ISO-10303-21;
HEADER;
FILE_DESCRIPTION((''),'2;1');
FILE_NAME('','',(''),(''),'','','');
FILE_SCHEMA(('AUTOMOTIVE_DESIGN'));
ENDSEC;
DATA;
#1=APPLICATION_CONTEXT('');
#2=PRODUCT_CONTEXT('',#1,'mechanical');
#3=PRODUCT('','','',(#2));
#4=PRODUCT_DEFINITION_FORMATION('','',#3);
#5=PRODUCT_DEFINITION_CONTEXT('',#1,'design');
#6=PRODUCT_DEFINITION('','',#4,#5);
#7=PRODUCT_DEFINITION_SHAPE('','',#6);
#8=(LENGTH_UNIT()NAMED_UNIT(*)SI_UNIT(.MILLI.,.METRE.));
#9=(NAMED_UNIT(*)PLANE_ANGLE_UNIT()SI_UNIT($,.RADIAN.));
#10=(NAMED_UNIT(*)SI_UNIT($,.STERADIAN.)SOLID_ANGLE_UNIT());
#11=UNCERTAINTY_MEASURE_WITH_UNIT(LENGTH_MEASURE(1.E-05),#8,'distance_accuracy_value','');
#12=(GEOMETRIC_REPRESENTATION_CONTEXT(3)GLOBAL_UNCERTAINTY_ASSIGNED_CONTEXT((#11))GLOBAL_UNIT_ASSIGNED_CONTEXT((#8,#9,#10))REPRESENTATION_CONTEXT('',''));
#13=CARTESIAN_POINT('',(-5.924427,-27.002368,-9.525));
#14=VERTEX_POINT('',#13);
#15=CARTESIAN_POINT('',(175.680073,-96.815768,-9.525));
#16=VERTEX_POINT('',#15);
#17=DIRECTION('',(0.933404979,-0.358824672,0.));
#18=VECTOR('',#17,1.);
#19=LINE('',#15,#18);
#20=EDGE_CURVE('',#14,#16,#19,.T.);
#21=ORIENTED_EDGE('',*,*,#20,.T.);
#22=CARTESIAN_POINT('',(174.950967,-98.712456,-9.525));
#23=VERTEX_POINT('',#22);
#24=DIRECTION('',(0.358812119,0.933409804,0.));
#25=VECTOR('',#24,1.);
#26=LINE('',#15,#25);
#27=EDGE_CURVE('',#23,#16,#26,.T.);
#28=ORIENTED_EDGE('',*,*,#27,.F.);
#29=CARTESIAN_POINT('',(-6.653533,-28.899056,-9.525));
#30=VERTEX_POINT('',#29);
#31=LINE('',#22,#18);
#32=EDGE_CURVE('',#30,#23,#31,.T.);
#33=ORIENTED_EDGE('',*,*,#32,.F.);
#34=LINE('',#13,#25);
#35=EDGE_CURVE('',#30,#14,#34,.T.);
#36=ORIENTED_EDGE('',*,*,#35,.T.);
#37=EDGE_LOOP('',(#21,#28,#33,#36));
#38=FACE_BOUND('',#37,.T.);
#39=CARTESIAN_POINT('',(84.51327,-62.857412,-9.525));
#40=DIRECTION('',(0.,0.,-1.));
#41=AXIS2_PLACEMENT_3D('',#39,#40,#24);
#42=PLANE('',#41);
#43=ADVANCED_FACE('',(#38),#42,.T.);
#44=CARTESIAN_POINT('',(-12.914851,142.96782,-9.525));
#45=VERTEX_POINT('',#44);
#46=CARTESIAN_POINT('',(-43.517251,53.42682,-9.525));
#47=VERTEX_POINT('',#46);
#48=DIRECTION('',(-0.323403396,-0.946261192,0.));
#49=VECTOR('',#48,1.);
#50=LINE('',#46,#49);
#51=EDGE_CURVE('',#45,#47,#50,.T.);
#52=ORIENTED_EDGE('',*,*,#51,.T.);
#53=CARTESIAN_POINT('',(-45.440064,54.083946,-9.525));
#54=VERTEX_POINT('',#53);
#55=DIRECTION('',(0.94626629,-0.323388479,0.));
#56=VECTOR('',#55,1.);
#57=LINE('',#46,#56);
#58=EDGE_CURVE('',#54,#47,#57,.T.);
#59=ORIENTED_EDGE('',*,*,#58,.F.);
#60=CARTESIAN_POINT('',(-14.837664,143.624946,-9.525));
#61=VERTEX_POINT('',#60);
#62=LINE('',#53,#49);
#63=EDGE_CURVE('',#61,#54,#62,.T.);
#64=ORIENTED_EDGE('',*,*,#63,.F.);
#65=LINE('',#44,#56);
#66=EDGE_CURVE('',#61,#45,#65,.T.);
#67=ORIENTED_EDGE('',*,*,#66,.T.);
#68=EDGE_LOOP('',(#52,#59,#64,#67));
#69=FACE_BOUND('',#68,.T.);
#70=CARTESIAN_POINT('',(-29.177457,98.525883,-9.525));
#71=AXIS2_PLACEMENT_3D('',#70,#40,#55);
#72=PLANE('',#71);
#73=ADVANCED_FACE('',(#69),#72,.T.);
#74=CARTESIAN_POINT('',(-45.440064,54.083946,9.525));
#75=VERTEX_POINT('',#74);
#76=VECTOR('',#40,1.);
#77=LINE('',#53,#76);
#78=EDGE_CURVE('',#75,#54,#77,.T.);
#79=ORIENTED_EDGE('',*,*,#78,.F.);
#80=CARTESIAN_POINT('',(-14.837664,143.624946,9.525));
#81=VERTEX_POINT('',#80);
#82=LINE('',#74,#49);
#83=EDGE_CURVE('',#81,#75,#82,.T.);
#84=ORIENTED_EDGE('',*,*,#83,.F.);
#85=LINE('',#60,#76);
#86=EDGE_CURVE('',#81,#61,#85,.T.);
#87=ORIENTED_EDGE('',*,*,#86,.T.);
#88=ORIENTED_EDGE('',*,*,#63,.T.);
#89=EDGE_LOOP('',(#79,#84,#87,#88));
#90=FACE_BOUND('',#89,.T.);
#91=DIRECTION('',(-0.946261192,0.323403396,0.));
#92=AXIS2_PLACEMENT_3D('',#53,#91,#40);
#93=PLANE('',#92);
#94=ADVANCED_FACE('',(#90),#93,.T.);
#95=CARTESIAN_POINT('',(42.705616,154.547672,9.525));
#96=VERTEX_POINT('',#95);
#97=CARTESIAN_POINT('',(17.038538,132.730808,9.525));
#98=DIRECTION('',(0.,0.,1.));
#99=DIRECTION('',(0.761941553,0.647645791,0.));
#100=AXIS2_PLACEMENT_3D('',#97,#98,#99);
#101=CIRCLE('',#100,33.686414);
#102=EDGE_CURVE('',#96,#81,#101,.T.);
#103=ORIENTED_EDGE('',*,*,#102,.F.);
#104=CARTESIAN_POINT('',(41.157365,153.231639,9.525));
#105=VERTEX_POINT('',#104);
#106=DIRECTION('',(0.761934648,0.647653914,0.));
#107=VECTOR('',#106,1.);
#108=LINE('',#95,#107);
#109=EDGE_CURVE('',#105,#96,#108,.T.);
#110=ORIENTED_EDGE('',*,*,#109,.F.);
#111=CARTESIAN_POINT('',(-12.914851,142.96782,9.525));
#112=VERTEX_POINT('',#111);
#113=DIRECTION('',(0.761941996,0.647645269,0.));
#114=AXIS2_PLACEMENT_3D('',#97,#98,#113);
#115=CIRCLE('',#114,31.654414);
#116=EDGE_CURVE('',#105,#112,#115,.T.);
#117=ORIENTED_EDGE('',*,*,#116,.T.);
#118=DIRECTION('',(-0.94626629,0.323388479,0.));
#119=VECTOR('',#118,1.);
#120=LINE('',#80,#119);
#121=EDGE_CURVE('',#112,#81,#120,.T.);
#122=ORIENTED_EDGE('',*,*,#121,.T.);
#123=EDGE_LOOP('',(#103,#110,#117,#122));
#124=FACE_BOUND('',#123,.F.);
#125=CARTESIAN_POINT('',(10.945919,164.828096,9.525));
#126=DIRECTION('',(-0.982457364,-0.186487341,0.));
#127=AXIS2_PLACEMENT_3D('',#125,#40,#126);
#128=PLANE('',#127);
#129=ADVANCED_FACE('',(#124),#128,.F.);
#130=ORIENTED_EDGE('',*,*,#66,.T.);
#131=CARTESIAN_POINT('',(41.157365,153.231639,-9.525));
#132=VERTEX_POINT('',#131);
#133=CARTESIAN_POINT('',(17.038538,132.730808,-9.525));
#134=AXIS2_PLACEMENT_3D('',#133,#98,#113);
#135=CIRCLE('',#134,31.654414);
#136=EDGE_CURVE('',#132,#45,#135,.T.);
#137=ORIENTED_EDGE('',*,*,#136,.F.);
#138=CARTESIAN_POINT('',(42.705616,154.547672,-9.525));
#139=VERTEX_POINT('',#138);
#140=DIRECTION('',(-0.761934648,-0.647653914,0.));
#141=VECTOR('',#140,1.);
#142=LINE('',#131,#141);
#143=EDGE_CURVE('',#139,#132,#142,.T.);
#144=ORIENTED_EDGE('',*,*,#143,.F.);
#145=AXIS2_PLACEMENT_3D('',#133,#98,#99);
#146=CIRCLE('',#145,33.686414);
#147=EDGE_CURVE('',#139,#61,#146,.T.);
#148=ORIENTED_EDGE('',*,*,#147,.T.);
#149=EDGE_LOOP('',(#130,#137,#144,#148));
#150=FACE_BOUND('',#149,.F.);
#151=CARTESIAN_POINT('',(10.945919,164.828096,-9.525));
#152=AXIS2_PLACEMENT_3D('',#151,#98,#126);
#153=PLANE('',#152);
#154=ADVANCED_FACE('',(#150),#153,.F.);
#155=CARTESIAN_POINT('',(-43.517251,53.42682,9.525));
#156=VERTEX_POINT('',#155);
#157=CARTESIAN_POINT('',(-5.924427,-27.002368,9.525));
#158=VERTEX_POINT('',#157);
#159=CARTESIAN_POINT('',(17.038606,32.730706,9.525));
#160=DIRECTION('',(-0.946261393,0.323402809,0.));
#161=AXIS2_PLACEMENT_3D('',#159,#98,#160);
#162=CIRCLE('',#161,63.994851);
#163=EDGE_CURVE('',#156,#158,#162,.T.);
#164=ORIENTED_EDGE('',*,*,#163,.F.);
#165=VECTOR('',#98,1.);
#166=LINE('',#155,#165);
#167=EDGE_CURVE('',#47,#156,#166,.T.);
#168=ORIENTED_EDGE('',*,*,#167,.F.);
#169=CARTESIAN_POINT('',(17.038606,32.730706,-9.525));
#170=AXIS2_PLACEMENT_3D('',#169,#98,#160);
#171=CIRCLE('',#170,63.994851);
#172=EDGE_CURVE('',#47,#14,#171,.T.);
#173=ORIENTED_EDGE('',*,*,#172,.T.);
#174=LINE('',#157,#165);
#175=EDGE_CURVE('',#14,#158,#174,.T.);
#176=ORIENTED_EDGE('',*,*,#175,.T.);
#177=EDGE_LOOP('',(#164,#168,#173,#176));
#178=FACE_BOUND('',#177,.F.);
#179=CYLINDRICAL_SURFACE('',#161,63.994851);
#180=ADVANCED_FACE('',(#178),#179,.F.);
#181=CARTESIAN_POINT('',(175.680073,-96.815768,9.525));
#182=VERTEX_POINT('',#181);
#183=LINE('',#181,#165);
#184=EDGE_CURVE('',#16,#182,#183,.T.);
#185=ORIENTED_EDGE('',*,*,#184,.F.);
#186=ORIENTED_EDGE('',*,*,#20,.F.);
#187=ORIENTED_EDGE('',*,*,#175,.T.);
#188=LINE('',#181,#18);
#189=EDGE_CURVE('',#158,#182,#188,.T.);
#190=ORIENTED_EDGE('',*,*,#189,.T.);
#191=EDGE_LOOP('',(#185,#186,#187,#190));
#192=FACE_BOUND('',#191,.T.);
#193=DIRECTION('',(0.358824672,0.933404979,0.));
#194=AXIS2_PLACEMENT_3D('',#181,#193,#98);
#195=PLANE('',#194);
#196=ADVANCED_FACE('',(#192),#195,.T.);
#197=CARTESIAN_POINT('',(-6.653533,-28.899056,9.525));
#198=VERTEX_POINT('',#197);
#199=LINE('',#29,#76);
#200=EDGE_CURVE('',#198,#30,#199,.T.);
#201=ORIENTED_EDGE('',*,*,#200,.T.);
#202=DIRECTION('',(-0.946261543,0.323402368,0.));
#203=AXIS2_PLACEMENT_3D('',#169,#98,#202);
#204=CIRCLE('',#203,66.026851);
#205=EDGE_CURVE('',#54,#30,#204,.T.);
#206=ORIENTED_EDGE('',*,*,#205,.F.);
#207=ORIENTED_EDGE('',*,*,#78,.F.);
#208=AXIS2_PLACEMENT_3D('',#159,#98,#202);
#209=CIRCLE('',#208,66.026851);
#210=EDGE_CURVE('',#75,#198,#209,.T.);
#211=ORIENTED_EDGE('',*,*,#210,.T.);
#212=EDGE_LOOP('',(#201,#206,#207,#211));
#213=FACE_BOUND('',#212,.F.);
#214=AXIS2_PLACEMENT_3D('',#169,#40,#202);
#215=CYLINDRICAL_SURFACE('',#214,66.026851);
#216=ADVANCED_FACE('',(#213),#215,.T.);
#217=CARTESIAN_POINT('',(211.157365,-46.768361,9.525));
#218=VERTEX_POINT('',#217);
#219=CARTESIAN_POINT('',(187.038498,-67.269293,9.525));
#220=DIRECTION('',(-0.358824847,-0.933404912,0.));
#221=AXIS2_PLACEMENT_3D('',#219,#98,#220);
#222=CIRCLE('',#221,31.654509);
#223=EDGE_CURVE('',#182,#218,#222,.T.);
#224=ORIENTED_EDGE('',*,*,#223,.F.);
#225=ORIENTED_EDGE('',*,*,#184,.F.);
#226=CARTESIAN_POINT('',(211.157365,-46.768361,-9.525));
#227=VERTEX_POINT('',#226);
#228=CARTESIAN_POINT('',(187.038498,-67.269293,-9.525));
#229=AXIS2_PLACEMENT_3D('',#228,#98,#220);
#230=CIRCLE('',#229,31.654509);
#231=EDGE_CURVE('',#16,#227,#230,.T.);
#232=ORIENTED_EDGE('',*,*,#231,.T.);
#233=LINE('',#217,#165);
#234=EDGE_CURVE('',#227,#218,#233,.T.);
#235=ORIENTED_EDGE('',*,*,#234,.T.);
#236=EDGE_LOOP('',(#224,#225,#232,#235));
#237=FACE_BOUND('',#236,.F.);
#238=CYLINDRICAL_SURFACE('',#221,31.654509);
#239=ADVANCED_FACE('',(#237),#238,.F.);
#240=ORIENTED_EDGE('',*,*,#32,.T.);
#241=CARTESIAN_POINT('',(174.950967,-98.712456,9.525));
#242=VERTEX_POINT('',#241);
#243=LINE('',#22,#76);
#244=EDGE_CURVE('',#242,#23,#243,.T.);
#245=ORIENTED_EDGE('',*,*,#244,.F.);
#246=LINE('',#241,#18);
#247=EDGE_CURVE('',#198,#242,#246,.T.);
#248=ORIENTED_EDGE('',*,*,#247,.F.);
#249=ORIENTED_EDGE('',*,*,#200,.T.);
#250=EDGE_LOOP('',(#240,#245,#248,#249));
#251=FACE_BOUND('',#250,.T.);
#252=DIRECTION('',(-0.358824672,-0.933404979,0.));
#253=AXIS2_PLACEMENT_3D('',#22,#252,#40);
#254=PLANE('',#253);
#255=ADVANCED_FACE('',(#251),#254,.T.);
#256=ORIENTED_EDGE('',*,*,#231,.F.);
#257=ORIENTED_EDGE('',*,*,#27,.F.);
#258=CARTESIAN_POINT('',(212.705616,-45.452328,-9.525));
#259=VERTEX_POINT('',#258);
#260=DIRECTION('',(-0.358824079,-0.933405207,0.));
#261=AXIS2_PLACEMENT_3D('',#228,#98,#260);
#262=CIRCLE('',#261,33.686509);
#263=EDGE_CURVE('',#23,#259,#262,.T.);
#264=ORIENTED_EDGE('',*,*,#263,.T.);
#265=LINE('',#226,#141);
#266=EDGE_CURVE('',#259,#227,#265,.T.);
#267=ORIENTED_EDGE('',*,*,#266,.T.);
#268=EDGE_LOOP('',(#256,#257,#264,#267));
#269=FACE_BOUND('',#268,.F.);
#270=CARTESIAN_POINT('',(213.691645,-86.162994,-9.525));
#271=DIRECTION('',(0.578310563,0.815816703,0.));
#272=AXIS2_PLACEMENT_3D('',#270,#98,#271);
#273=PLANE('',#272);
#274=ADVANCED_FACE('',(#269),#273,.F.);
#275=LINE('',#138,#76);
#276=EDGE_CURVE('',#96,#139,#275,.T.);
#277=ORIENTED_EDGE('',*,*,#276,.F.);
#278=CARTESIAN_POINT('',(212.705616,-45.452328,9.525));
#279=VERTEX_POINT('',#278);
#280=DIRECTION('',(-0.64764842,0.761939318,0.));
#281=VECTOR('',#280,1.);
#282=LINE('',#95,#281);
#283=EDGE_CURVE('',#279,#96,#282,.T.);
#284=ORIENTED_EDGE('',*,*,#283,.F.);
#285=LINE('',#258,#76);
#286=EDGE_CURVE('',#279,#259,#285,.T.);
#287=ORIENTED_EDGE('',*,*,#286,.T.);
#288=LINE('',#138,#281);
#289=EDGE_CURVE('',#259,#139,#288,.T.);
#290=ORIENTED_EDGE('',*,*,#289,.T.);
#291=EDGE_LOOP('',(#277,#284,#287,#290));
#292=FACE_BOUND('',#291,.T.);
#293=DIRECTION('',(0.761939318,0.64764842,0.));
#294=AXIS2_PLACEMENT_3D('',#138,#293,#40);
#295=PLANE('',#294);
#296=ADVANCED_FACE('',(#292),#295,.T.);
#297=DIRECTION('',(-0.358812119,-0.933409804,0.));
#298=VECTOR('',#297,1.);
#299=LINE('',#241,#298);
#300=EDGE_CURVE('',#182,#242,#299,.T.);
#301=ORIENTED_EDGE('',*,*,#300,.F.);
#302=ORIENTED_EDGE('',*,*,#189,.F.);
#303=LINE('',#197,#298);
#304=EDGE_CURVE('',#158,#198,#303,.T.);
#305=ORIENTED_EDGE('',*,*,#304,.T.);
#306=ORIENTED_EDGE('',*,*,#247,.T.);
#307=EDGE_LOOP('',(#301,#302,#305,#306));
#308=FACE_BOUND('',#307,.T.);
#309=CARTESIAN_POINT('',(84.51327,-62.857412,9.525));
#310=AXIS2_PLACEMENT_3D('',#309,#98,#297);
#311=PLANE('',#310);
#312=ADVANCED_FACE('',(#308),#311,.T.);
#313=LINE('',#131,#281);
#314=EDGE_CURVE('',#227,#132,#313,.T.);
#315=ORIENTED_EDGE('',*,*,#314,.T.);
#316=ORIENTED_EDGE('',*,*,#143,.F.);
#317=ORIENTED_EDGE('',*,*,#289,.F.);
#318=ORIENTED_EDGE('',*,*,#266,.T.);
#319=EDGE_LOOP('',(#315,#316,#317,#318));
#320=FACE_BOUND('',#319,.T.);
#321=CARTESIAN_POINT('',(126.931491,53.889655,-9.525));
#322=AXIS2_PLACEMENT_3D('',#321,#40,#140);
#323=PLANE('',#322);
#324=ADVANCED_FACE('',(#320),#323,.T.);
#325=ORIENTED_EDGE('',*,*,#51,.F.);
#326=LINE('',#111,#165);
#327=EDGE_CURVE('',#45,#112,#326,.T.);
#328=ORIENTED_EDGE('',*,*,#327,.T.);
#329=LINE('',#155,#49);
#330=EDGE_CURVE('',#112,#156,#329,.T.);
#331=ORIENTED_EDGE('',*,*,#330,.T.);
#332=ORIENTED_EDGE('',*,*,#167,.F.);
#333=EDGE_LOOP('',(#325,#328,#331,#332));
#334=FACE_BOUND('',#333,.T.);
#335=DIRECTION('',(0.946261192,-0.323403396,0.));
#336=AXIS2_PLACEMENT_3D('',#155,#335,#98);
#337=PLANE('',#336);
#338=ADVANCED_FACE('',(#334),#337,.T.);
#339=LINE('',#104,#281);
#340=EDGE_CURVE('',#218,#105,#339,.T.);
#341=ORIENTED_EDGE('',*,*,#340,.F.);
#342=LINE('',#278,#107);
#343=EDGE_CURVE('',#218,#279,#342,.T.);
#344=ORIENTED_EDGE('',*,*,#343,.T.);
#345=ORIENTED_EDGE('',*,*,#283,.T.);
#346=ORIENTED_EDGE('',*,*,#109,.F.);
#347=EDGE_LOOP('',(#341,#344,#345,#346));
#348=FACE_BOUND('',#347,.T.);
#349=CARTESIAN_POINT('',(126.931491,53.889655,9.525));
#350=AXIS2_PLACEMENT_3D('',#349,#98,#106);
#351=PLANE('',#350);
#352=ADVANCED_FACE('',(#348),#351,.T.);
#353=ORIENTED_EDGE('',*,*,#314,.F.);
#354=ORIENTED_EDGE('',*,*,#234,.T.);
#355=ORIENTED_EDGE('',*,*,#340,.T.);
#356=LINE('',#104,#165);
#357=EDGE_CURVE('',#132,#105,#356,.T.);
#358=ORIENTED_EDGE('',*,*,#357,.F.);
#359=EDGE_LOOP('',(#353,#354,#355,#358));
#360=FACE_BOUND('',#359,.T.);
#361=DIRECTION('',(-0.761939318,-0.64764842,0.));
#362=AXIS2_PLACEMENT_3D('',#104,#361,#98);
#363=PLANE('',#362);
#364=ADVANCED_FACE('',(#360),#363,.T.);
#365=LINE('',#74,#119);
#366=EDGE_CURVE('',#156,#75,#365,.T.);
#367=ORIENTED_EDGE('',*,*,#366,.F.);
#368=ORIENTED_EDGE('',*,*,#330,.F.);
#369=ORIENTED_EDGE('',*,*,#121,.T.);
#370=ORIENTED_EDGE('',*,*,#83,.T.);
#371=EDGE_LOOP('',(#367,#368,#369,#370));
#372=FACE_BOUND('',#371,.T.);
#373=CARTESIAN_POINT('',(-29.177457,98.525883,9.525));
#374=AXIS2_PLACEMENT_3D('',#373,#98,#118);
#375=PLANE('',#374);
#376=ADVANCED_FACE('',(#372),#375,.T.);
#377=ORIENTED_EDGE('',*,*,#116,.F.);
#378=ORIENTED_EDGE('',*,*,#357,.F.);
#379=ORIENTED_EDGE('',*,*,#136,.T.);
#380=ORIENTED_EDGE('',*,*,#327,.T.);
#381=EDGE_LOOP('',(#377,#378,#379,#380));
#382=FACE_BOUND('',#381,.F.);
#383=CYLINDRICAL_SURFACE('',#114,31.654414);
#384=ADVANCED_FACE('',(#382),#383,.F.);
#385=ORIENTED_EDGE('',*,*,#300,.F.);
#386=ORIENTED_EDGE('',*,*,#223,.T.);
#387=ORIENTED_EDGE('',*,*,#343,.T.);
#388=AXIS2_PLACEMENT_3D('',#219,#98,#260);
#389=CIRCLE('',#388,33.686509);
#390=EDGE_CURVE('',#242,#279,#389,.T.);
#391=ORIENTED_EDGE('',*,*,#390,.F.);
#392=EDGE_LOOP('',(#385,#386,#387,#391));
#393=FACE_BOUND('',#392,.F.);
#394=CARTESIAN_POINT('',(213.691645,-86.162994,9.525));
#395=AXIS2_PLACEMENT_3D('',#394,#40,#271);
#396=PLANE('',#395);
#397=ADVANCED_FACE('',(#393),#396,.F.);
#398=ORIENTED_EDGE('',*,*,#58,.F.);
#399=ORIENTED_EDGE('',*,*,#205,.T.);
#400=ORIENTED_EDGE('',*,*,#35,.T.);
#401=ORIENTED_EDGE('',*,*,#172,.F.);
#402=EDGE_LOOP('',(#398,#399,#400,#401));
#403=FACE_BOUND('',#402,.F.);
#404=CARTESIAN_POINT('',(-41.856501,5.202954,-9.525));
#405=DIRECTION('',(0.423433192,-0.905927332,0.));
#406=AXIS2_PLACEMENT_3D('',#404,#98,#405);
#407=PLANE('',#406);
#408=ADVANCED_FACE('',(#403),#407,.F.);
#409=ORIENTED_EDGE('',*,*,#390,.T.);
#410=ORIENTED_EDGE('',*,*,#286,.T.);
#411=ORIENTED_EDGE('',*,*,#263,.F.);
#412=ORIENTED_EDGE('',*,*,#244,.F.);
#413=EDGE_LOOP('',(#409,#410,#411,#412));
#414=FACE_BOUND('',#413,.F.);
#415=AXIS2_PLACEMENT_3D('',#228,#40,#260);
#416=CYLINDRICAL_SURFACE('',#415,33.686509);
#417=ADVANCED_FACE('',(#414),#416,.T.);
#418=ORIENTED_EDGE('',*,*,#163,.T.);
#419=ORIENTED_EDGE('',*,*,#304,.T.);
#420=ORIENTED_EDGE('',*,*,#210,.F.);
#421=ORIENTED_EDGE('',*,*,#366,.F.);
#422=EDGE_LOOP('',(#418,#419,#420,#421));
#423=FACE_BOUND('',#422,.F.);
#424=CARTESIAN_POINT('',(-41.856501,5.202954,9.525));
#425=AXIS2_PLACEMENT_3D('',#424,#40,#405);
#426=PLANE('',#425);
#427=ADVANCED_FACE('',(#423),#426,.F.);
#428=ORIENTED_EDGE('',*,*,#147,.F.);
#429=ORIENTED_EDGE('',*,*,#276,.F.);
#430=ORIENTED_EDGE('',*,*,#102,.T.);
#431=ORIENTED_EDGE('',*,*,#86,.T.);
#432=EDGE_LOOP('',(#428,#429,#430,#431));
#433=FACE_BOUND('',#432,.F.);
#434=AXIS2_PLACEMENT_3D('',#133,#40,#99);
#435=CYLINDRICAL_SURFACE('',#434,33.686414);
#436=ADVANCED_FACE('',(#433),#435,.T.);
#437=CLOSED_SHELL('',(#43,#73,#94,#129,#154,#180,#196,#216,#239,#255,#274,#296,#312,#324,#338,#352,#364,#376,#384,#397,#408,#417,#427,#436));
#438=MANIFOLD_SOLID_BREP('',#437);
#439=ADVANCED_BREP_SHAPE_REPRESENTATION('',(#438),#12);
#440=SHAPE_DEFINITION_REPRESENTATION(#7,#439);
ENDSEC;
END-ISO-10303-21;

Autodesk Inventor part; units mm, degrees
sketch "Эскизная траектория" plane through (0, 0, 0) normal (0, 0, 1) x (1, 0, 0)
  arc A0 (41.6799, 153.6758) -> (-13.5638, 143.1896) centre (17.0385, 132.7307) ccw
  arc A1 (175.434, -97.4559) -> (211.6799, -46.3242) centre (187.0385, -67.2693) ccw
  arc A2 (-44.1662, 53.6486) -> (-6.1705, -27.6425) centre (17.0385, 32.7307) ccw
  line L0 (-44.1662, 53.6486) -> (-13.5638, 143.1896)
  line L1 (41.6799, 153.6758) -> (211.6799, -46.3242)
  line L2 (175.434, -97.4559) -> (-6.1705, -27.6425)
ref_plane "Плоскость сечения" through (-13.5638, 143.1896, 0) normal (-0.3234, -0.9463, 0) x (0, 0, 1)
ref_plane "РабПлоскость2" through (17.0385, 132.7307, 0) normal (-1, 0, 0) x (0, 0, 1)
ref_plane "РабПлоскость3" through (187.0385, -67.2693, 0) normal (-0.6093, 0.7929, 0) x (0, 0, 1)
ref_plane "РабПлоскость4" through (17.0385, 32.7307, 0) normal (0.9279, -0.3729, 0) x (0, 0, 1)
sketch "Сечение" plane through (-13.5638, 143.1896, 0) normal (-0.3234, -0.9463, 0) x (0, 0, 1)
  line L0 (-9.525, 1.3462) -> (9.525, 1.3462)
  line L1 (9.525, 1.3462) -> (9.525, -0.6858)
  line L2 (9.525, -0.6858) -> (-9.525, -0.6858)
  line L3 (-9.525, -0.6858) -> (-9.525, 1.3462)
  line L4 (-9.525, 0) -> (9.525, 0) construction
  point P0 (0, 0)
  point P1 (0, 0)
  dimension "d0" = 19.05
  dimension "d4" = 0.6858
  dimension "d5" = 1.3462
sweep "Ремень" add profiles "Сечение" path "Эскизная траектория"
equation "\"d0\" = da_B"
equation "\"d4\" = da_a"
equation "\"d5\" = da_a2"
equation "\"da_B\" = 19.05"
equation "\"da_pb\" = 12.7"
equation "\"da_L\" = 804.4568"
equation "\"da_a\" = 0.6858"
equation "\"da_S\" = 6.1214"
equation "\"da_Beta\" = 20deg"
equation "\"da_Ht\" = 2.286"
equation "\"da_H\" = 4.318"
equation "\"da_a2\" = 1.3462"
properties part number "Зубчатый ремень" material "Rubber"
